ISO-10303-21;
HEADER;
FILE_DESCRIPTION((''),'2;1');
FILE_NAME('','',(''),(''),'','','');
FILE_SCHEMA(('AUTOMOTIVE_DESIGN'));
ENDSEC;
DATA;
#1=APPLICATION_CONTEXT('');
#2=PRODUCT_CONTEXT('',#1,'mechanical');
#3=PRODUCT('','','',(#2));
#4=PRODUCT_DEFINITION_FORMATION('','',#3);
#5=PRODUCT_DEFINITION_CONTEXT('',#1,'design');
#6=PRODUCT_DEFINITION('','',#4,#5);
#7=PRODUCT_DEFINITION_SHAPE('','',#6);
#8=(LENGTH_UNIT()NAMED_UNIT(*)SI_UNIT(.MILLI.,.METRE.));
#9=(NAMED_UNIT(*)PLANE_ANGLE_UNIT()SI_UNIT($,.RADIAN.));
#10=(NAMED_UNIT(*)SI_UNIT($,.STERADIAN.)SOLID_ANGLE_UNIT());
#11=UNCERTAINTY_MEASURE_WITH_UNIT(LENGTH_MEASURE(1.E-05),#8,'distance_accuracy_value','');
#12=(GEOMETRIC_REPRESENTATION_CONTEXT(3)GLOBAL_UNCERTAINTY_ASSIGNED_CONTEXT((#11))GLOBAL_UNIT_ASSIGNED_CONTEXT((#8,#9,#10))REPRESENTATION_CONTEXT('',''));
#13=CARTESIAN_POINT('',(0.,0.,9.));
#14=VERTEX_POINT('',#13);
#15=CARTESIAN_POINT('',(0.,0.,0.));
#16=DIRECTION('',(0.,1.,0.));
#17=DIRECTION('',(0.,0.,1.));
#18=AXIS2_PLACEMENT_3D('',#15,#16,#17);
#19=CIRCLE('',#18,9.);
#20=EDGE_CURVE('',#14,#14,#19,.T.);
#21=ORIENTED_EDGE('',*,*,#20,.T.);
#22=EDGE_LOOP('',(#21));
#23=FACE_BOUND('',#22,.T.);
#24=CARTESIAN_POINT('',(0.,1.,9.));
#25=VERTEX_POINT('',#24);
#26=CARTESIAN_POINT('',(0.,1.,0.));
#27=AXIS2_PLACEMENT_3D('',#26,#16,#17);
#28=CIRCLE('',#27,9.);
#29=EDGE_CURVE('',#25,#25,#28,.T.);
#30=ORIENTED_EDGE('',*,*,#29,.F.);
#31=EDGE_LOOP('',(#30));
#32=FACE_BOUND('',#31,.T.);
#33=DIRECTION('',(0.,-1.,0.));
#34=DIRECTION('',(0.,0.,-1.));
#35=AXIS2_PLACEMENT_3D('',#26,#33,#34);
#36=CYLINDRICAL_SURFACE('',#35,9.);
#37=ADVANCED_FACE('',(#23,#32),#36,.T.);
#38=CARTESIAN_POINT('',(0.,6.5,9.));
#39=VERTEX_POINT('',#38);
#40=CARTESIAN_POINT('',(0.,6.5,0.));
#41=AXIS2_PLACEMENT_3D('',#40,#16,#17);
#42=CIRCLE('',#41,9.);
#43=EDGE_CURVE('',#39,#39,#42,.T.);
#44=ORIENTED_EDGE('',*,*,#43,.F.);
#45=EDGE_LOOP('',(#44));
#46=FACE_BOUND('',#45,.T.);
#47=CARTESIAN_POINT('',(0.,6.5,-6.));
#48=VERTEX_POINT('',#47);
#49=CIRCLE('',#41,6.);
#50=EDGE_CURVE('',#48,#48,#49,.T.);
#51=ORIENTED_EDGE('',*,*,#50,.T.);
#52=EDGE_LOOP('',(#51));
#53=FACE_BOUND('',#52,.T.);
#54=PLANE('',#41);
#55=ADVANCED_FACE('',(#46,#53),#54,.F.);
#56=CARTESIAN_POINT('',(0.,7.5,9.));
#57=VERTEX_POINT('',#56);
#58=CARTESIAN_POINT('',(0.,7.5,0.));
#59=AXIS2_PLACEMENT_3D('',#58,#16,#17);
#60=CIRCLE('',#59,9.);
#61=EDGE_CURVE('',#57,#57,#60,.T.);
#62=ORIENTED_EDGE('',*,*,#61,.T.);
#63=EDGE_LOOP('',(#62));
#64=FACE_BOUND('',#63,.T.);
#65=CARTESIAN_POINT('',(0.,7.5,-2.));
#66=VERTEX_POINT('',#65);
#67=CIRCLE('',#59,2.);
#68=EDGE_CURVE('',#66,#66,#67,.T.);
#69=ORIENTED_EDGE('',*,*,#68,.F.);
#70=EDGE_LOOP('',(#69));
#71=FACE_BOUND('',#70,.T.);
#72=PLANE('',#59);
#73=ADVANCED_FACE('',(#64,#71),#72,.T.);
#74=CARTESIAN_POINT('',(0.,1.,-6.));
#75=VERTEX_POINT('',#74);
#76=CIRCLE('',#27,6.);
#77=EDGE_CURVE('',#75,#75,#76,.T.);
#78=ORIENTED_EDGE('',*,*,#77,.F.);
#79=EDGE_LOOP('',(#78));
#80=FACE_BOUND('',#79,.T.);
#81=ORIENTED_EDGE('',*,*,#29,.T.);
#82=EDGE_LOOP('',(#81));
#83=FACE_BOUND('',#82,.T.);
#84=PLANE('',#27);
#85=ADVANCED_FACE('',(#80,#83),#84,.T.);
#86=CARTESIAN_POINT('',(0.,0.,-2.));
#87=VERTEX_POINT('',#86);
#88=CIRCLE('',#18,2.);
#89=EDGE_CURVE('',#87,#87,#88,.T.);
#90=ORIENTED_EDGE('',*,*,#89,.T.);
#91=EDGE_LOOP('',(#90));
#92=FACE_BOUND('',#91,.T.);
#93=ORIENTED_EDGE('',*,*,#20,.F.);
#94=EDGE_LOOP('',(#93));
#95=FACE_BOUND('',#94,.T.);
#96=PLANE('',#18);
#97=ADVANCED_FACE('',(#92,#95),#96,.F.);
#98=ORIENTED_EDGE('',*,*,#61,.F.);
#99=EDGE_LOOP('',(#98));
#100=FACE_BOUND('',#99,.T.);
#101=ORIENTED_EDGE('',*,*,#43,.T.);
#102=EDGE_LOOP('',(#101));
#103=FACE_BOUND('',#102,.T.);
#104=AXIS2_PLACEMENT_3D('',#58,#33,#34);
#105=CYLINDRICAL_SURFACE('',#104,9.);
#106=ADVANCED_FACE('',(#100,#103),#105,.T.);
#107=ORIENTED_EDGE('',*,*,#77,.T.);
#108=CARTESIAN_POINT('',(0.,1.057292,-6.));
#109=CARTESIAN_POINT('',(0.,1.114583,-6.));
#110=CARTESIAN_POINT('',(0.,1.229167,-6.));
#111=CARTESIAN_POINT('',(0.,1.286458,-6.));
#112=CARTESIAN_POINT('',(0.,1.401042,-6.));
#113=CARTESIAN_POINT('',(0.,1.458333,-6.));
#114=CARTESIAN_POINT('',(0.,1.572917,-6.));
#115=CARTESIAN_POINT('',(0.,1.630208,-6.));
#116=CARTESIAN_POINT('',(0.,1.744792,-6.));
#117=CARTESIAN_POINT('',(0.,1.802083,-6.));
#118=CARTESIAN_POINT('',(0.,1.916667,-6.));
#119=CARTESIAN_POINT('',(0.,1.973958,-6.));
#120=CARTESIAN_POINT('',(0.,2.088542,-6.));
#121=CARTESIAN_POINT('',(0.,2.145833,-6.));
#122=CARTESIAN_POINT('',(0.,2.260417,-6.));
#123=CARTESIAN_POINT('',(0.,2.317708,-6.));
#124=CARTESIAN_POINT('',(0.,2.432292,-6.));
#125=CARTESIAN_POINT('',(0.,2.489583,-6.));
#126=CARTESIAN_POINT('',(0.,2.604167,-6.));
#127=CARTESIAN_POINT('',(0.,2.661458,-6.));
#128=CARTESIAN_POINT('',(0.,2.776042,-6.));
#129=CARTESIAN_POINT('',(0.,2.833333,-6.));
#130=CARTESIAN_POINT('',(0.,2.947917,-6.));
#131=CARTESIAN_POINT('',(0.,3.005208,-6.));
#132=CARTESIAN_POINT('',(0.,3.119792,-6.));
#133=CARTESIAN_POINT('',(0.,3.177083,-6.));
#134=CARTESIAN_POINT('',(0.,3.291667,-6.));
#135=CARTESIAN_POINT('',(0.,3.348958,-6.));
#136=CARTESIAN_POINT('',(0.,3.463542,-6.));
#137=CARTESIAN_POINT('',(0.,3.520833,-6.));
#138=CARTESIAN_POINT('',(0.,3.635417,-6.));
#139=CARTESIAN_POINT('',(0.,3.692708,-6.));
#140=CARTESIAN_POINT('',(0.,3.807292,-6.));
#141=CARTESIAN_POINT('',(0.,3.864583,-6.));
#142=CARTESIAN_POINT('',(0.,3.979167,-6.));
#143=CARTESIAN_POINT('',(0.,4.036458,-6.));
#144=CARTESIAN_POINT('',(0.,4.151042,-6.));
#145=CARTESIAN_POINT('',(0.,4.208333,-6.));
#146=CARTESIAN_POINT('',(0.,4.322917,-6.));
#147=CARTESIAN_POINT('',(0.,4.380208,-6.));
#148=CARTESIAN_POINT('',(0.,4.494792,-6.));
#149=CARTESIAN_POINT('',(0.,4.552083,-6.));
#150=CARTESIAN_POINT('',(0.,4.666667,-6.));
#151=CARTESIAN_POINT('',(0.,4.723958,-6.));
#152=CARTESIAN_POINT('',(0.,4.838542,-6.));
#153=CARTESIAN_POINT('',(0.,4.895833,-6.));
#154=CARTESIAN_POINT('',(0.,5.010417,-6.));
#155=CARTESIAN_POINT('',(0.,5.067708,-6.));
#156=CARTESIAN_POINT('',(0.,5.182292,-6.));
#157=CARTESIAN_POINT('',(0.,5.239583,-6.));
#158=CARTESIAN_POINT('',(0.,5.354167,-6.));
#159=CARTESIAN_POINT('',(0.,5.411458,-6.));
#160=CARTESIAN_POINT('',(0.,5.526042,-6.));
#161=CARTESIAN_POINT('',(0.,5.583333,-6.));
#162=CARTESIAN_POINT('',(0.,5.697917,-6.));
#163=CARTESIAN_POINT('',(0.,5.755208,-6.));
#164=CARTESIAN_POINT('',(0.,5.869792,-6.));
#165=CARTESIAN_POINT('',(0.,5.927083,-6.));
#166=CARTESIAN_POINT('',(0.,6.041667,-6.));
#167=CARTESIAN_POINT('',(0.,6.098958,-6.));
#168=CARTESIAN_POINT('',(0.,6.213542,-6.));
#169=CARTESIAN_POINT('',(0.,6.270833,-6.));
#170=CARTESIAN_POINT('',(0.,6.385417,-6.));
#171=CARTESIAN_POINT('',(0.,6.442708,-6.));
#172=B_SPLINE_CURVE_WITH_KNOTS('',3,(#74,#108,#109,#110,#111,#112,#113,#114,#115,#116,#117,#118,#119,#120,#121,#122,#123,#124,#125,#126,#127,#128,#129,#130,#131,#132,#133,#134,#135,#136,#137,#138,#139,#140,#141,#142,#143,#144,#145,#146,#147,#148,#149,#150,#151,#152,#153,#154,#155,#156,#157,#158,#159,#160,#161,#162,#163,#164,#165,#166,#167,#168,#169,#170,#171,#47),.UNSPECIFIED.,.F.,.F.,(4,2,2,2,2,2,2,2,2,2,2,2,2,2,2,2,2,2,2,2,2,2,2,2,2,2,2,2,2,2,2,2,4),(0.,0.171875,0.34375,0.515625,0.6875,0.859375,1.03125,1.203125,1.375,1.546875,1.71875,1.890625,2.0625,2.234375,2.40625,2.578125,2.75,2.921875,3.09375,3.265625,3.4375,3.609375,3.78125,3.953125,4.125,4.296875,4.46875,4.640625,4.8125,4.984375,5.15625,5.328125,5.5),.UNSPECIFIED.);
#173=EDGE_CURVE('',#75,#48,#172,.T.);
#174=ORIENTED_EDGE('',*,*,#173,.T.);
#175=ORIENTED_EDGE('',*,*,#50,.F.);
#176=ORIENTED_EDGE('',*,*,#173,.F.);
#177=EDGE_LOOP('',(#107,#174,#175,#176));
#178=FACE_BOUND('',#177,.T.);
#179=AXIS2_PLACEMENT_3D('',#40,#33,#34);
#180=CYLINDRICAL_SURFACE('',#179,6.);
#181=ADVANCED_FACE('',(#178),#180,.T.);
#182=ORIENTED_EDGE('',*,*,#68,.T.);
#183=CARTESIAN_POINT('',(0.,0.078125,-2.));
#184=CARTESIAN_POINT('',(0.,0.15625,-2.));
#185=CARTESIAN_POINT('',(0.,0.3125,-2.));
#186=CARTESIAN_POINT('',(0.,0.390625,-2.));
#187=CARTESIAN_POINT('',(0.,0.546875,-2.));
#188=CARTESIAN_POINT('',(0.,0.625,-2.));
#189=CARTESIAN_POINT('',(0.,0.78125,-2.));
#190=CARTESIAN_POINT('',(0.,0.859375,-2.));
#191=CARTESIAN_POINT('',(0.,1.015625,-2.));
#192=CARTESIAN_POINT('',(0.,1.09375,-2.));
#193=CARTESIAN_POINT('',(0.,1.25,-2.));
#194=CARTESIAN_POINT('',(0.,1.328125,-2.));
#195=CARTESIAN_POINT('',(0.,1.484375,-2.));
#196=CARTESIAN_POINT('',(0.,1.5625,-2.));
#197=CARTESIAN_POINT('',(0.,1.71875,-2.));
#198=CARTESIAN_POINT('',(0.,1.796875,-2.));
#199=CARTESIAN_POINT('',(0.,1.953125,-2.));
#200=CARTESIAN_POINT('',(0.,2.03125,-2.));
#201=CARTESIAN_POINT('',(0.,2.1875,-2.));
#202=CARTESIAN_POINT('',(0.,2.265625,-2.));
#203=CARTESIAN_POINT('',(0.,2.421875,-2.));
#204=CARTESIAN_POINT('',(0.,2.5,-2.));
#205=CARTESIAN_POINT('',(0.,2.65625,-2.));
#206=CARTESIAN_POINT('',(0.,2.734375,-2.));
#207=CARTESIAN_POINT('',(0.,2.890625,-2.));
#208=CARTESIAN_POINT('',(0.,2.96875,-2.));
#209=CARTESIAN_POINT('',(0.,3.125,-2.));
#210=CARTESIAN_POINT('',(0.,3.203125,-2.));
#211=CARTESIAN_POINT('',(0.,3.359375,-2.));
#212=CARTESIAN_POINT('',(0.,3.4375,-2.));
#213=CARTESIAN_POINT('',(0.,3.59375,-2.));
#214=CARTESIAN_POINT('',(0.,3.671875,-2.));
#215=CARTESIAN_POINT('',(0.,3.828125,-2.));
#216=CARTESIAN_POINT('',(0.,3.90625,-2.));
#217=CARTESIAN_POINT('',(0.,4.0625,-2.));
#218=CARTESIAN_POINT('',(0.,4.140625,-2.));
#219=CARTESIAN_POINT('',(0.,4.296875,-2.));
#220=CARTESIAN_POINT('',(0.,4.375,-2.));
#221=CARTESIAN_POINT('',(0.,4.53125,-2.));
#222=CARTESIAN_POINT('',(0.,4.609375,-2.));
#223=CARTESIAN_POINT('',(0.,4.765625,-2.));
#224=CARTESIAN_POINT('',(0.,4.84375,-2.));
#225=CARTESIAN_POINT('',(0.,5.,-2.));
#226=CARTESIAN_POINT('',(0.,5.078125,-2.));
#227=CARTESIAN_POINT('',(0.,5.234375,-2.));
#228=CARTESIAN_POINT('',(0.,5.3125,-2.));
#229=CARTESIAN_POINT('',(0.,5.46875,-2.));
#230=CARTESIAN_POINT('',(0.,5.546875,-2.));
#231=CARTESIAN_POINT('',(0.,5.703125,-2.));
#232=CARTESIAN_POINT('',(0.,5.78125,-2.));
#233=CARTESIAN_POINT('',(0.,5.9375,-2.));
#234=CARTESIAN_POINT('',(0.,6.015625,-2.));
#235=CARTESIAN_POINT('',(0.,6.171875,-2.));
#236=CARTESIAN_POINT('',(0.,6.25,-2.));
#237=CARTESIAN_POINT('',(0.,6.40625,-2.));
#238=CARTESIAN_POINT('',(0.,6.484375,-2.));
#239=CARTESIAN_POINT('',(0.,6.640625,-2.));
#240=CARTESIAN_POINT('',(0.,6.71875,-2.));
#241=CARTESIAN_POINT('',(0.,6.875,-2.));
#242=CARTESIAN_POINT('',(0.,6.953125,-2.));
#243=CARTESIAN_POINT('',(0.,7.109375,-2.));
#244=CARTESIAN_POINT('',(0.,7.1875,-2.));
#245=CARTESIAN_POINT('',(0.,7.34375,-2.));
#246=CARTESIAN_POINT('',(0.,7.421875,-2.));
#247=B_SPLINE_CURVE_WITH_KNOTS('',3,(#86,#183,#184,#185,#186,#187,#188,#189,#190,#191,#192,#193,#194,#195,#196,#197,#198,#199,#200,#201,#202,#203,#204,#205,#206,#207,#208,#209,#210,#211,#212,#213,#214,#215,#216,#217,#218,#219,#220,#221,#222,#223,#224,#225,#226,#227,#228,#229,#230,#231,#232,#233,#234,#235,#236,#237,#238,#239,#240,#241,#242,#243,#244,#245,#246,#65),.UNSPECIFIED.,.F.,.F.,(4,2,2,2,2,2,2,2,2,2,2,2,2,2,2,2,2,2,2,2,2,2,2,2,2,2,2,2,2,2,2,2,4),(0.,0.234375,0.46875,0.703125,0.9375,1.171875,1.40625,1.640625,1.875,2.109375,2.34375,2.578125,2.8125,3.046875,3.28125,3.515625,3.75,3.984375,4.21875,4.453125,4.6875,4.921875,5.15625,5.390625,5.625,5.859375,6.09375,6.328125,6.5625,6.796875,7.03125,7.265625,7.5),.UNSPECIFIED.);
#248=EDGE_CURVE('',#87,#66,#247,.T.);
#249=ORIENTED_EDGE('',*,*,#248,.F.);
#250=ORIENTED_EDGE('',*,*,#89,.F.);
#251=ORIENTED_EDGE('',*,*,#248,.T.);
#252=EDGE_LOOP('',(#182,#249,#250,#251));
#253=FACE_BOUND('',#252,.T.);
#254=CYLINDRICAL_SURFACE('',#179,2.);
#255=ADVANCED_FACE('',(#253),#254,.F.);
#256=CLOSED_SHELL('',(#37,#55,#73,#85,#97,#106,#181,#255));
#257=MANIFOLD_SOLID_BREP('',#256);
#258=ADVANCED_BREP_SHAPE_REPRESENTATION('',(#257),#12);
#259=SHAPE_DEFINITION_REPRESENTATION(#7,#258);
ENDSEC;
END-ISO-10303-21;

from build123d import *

# Parameters (mm, degrees)
SKIZZE1_R                       = 9
SKIZZE1_R_2                     = 6
AUFSATZ_LINEAR_AUSTRAGEN1_DEPTH = 1
SKIZZE1_3_R                     = 6
SKIZZE1_3_R_2                   = 2
AUFSATZ_LINEAR_AUSTRAGEN2_DEPTH = 6.5
SKIZZE2_R                       = 9
SKIZZE2_R_2                     = 2
AUFSATZ_LINEAR_AUSTRAGEN3_DEPTH = 1


with BuildPart() as part:
    # Skizze1 → Aufsatz-Linear austragen1 (new body)
    with BuildSketch(Plane(origin=(0, 0, 0), x_dir=(1, 0, 0), z_dir=(0, 1, 0))):
        Circle(SKIZZE1_R)
        Circle(SKIZZE1_R_2, mode=Mode.SUBTRACT)
    extrude(amount=AUFSATZ_LINEAR_AUSTRAGEN1_DEPTH)

    # Skizze1<3> → Aufsatz-Linear austragen2 (add)
    with BuildSketch(Plane(origin=(0, 0, 0), x_dir=(1, 0, 0), z_dir=(0, 1, 0))):
        Circle(SKIZZE1_3_R)
        Circle(SKIZZE1_3_R_2, mode=Mode.SUBTRACT)
    extrude(amount=AUFSATZ_LINEAR_AUSTRAGEN2_DEPTH)

    # Skizze2 → Aufsatz-Linear austragen3 (add)
    with BuildSketch(Plane(origin=(0, 6.5, 0), x_dir=(1, 0, 0), z_dir=(0, 1, 0))):
        Circle(SKIZZE2_R)
        Circle(SKIZZE2_R_2, mode=Mode.SUBTRACT)
    extrude(amount=AUFSATZ_LINEAR_AUSTRAGEN3_DEPTH)


solid = part.part
